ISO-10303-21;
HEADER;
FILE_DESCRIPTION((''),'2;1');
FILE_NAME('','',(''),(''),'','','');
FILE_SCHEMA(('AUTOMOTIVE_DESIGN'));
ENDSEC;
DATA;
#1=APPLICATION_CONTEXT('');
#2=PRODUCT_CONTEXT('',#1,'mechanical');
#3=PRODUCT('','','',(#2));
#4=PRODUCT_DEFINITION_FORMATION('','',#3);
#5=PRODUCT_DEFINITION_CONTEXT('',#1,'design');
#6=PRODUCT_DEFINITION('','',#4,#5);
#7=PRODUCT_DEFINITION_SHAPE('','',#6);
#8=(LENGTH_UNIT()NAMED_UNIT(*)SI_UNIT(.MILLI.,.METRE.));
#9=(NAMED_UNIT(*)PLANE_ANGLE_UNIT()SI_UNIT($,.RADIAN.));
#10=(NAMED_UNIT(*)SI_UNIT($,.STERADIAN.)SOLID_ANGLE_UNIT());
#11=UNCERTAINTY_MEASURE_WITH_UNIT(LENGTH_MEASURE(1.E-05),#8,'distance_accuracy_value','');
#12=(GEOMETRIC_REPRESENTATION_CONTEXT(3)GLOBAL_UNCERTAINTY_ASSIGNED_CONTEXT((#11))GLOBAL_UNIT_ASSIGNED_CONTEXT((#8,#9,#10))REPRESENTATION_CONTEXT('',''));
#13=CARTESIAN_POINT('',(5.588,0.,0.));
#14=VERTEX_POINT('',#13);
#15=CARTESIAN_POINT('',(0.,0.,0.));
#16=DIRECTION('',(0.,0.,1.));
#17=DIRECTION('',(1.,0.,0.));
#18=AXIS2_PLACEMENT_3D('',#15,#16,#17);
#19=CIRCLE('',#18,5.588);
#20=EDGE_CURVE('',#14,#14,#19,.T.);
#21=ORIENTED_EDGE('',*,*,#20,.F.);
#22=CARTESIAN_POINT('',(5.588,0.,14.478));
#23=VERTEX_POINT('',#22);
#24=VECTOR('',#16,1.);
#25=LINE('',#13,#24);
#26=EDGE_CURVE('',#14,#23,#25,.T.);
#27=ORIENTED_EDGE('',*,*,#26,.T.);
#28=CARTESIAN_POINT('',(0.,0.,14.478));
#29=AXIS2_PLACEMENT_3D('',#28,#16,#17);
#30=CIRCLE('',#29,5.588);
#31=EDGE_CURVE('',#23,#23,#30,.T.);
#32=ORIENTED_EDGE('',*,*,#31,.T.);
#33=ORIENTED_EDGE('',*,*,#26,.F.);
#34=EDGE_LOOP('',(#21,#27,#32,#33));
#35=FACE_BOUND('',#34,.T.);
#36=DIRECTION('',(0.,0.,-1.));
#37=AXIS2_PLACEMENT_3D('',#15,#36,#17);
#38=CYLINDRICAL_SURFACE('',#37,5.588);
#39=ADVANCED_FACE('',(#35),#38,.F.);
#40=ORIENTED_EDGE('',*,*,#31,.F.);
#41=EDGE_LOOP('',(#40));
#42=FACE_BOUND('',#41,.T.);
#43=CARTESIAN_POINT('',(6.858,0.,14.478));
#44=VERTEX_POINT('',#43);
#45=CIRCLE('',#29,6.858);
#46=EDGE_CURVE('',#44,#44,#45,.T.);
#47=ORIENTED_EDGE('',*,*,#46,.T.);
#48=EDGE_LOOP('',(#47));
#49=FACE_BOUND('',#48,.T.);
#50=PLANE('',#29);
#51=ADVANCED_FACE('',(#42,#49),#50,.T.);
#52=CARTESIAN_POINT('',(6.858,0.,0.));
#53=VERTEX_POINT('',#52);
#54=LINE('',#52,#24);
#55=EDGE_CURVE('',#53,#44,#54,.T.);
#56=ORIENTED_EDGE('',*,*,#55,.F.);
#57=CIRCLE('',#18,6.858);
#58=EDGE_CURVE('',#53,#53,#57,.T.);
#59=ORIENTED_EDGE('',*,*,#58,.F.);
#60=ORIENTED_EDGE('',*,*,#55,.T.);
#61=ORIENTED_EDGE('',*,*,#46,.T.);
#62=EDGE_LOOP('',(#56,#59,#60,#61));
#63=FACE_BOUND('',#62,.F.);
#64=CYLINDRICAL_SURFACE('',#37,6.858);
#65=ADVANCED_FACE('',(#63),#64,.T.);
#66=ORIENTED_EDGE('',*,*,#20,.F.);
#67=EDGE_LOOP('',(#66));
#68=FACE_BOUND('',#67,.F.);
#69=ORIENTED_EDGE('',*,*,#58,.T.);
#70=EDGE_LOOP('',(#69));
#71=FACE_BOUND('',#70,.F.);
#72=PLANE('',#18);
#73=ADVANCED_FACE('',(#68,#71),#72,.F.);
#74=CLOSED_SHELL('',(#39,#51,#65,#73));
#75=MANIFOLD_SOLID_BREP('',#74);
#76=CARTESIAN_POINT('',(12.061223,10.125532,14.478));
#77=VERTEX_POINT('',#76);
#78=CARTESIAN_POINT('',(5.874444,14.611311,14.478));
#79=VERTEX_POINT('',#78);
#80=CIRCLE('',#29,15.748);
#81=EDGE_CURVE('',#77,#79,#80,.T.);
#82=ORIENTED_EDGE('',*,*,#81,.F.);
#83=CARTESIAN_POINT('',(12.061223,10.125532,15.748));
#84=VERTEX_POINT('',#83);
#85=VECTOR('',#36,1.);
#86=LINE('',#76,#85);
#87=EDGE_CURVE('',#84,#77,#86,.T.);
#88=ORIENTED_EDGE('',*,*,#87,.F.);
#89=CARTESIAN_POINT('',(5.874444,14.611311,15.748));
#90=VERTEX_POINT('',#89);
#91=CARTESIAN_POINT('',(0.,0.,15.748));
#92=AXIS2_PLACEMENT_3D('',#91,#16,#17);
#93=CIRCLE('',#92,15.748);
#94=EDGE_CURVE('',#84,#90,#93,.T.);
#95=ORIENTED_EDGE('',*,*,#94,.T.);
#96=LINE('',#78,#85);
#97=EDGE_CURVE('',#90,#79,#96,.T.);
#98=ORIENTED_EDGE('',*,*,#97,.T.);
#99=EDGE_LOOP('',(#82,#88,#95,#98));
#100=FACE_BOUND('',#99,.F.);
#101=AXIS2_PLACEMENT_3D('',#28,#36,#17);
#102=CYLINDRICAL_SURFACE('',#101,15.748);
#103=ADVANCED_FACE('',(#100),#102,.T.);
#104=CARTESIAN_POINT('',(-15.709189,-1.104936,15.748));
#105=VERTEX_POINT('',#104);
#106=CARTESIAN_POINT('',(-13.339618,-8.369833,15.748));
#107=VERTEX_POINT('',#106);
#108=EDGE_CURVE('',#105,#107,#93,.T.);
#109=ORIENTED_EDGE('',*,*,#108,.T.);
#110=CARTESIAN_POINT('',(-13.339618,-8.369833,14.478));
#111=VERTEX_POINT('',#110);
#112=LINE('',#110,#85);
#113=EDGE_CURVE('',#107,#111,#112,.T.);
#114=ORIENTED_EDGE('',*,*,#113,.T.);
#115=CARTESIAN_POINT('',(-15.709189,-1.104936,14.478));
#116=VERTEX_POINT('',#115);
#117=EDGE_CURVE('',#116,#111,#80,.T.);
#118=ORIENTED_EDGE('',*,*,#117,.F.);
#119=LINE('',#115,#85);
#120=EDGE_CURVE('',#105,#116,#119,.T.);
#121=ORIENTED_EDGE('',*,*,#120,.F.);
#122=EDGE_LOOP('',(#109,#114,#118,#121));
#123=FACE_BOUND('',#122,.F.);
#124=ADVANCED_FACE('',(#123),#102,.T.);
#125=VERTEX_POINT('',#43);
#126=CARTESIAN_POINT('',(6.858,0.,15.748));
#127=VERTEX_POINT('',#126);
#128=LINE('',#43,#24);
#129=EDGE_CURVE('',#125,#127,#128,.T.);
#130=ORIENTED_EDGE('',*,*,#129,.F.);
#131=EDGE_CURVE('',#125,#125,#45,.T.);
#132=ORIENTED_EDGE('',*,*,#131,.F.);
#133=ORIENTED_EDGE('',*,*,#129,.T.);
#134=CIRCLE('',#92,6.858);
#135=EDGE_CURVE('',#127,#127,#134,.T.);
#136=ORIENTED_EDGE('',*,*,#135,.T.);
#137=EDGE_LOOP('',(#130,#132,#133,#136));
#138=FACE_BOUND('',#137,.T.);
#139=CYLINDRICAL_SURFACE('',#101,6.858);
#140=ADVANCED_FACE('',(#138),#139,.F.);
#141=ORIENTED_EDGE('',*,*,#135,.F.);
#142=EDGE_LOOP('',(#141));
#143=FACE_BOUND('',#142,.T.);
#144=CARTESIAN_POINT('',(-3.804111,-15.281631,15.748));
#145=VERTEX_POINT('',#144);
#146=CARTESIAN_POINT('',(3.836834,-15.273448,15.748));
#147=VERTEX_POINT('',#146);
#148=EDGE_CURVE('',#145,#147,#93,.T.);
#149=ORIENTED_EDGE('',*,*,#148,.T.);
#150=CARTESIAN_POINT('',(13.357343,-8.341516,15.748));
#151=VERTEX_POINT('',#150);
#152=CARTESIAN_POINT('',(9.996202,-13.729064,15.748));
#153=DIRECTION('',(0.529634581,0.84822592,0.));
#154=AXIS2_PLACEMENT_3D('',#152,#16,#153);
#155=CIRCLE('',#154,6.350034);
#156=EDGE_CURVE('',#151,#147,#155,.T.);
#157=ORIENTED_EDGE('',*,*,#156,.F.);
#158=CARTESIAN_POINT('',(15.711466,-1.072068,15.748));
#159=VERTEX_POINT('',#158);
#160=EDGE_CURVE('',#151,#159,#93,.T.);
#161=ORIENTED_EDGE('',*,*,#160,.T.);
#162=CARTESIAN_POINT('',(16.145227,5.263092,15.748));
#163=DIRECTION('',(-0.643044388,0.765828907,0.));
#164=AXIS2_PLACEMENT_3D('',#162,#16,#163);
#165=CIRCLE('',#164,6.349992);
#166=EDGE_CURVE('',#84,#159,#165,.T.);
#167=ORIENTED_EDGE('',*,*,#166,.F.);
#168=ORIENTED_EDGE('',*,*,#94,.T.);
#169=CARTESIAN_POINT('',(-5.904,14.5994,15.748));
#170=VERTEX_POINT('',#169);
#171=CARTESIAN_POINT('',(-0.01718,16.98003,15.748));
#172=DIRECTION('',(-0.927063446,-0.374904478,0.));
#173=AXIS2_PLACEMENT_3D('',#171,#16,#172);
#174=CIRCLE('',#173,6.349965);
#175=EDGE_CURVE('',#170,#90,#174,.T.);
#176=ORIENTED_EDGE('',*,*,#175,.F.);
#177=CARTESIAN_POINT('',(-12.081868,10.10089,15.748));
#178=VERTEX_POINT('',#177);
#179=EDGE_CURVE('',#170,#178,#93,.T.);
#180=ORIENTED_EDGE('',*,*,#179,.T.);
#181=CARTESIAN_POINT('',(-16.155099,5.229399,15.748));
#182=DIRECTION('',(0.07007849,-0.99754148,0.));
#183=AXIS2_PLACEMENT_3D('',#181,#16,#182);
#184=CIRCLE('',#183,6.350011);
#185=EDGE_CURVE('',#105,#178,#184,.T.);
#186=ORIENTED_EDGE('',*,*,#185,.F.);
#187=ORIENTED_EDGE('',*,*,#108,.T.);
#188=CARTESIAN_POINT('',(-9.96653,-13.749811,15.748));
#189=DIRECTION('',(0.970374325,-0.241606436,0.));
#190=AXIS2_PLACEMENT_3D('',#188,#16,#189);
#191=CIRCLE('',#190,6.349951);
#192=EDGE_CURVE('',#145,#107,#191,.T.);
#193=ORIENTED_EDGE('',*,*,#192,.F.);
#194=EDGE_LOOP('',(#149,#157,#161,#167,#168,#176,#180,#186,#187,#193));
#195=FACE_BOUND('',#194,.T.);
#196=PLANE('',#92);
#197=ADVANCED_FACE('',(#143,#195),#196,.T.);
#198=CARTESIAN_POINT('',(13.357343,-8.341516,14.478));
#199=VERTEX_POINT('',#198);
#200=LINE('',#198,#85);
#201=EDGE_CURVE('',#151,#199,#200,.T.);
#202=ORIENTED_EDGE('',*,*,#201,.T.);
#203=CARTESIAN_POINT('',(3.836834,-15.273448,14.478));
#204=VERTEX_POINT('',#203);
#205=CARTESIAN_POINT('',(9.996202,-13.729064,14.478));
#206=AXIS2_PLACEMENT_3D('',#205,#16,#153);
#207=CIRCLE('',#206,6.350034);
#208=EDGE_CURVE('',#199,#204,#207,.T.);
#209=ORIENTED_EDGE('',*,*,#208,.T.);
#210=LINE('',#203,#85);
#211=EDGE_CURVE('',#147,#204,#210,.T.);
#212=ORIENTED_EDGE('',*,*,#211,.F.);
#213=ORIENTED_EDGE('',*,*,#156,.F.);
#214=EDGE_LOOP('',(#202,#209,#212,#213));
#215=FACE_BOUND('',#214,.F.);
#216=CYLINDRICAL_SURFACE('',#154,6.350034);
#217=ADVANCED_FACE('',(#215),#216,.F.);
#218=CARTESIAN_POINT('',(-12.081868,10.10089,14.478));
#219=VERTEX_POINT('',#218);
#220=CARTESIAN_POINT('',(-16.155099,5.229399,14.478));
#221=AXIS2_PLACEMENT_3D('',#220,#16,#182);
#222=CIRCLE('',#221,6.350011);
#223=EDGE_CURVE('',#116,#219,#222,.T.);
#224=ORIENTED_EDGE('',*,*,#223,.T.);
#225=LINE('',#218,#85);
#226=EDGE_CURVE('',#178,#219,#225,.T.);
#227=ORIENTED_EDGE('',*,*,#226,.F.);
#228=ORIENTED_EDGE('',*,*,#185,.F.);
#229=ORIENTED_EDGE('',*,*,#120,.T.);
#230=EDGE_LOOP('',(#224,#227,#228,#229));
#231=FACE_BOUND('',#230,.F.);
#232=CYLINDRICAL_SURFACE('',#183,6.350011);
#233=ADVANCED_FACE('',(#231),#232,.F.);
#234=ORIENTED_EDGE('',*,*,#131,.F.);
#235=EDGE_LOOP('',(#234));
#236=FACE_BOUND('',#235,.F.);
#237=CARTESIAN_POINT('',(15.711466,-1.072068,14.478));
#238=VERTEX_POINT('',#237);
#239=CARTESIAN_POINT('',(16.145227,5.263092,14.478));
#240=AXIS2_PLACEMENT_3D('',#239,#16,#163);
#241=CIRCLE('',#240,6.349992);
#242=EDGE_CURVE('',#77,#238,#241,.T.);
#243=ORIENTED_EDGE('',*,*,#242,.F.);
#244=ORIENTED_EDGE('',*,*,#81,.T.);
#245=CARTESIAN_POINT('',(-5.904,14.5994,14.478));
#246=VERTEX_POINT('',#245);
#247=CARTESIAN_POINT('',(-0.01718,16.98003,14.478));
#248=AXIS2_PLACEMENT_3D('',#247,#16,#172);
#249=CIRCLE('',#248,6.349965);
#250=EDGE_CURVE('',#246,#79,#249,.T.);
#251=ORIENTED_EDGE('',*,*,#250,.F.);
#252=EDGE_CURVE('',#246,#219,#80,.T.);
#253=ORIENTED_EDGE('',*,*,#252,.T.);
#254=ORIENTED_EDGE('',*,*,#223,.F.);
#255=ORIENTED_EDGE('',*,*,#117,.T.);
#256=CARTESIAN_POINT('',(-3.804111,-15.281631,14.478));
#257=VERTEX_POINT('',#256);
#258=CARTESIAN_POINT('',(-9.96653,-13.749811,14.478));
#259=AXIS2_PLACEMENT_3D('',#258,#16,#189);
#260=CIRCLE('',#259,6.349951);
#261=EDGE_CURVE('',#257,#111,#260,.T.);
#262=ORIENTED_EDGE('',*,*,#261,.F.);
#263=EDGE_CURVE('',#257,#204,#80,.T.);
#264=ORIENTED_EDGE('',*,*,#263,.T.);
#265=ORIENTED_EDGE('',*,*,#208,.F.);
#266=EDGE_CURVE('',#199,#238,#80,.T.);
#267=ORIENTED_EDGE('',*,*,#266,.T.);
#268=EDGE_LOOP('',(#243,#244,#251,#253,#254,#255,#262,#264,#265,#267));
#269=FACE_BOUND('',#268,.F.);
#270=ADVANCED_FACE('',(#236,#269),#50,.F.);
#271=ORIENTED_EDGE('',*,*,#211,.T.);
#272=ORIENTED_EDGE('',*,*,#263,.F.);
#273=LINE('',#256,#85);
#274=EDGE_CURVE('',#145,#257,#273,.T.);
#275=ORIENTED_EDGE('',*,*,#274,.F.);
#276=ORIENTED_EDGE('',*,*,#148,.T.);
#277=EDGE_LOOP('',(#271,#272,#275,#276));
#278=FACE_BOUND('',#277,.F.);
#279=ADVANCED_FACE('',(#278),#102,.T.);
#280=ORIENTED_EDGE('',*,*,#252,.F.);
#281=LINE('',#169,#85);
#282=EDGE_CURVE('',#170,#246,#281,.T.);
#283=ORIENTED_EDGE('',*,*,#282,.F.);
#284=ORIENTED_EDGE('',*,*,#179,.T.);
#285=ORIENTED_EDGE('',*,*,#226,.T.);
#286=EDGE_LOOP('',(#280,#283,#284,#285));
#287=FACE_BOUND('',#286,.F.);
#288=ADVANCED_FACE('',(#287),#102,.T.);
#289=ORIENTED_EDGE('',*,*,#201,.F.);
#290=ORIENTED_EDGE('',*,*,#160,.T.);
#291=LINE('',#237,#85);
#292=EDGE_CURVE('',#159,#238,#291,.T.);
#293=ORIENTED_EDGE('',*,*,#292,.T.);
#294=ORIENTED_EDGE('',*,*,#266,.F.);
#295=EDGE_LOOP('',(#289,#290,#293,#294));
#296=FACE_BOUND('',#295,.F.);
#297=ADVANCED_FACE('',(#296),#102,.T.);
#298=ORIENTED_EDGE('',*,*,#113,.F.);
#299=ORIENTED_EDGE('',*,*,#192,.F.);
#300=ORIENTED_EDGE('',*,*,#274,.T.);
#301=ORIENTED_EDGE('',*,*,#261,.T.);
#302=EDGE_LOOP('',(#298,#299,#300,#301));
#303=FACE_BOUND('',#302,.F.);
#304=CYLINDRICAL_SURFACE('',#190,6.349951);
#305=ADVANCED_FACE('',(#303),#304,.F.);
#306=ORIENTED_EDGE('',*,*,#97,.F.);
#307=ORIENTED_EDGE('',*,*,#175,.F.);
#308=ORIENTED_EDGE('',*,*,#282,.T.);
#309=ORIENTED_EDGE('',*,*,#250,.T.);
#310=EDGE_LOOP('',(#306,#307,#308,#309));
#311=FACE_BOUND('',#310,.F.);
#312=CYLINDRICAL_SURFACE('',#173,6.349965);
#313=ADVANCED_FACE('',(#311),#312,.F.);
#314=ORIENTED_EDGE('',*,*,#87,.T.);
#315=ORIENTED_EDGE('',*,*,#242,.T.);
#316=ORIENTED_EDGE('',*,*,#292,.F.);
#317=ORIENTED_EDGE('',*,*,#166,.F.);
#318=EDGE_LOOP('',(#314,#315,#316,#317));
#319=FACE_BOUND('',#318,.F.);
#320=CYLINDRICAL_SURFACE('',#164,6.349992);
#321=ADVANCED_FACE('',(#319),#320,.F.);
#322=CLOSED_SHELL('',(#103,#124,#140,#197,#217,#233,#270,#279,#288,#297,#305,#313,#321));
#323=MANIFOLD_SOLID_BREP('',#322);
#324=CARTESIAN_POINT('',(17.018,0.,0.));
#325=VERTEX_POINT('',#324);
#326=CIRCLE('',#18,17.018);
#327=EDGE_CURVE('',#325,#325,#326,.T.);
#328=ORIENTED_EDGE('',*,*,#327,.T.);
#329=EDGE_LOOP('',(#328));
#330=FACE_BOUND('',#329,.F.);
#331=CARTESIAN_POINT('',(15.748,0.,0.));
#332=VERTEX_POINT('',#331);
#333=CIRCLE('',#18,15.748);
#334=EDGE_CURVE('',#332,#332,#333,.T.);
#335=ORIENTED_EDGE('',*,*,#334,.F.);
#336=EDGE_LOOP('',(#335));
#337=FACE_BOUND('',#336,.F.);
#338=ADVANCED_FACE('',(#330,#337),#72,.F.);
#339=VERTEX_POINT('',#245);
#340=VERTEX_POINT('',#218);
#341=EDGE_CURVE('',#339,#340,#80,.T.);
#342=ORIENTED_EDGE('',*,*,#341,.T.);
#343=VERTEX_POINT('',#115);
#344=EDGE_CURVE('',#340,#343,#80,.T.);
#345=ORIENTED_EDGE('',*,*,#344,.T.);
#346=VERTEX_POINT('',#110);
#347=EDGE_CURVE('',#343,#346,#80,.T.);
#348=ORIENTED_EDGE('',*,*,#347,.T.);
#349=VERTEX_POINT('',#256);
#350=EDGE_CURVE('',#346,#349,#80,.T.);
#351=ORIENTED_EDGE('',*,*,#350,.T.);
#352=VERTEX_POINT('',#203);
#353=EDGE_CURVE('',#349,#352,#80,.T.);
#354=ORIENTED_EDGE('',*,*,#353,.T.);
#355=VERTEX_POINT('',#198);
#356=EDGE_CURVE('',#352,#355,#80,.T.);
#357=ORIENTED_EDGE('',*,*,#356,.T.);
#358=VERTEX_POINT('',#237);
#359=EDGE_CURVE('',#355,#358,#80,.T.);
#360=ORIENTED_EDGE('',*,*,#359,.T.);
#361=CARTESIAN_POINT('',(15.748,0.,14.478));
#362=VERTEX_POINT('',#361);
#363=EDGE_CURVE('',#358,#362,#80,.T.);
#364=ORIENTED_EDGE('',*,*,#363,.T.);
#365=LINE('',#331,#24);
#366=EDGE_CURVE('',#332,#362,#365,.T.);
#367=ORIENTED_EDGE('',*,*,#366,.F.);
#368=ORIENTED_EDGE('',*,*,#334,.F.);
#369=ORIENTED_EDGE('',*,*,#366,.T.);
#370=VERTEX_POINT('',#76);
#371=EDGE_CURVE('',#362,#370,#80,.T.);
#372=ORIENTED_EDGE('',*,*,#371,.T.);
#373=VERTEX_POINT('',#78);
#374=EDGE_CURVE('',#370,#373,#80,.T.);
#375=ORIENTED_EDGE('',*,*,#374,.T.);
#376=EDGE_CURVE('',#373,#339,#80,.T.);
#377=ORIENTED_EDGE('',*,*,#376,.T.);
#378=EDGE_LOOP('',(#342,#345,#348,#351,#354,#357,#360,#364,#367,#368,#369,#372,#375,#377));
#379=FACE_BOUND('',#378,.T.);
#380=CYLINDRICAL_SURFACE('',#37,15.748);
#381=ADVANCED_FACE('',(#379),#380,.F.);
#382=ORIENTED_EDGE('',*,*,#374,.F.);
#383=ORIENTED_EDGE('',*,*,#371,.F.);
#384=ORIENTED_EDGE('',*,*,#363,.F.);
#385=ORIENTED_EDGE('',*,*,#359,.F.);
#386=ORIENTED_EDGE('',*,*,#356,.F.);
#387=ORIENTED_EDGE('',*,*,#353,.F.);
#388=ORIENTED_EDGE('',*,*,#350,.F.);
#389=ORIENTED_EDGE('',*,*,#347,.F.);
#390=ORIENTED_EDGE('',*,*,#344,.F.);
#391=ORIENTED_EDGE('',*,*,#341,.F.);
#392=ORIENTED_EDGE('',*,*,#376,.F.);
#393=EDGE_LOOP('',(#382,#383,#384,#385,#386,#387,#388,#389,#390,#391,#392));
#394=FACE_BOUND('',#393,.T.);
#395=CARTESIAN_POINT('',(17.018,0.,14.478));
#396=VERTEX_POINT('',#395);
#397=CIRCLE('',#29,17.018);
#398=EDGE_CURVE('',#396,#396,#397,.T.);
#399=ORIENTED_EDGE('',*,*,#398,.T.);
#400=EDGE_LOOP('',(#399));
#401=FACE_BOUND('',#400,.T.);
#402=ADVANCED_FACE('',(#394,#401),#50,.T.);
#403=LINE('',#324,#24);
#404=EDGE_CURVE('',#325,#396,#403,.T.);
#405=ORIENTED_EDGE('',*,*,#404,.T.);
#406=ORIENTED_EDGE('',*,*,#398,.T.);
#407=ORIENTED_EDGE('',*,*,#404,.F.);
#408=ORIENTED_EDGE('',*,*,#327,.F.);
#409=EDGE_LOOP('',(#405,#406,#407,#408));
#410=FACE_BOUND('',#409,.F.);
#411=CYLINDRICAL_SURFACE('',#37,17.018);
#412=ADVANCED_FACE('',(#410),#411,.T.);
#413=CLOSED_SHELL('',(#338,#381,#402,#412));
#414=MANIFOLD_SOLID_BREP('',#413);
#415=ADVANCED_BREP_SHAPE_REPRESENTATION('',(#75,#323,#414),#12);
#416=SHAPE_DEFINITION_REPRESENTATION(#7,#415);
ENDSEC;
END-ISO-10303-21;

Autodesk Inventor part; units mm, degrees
ref_plane "YZ Plane" through (0, 0, 0) normal (1, 0, 0) x (0, 1, 0)
ref_plane "XZ Plane" through (0, 0, 0) normal (0, 1, 0) x (-1, 0, 0)
ref_plane "XY Plane" through (0, 0, 0) normal (0, 0, 1) x (1, 0, 0)
sketch "Sketch1" plane through (0, 0, 0) normal (0, 0, 1) x (1, 0, 0)
  circle A0 centre (0, 0) radius 5.588
  circle A1 centre (0, 0) radius 6.858
  circle A2 centre (0, 0) radius 15.748
  circle A3 centre (0, 0) radius 17.018
  dimension "d0" = 11.176
  dimension "d1" = 1.27
  dimension "d2" = 8.89
  dimension "d3" = 1.27
extrude "Extrusion1" add sketch "Sketch1" along normal blind 14.478
sketch "Sketch2" plane through (0, 0, 14.478) normal (0, 0, 1) x (1, 0, 0)
  circle A0 centre (0, 0) radius 5.588 projected
  circle A1 centre (0, 0) radius 6.858 projected
  circle A2 centre (0, 0) radius 15.748 projected
  circle A3 centre (0, 0) radius 17.018 projected
extrude "Extrusion2" add sketch "Sketch2" along normal blind 1.27 contours A2
sketch "Sketch4" plane through (0, 0, 14.478) normal (0, 0, 1) x (1, 0, 0)
  point P0 (0, 0)
sketch "Sketch6" plane through (0, 0, 15.748) normal (0, 0, 1) x (1, 0, 0)
  arc A0 (-5.904, 14.5994) -> (5.8746, 14.6117) centre (-0.0172, 16.98) ccw
  arc A1 (5.8746, 14.6117) -> (-5.904, 14.5994) centre (0.0005, -0.0013) ccw
  arc A2 (-12.082, 10.101) -> (-15.7101, -1.105) centre (0.0005, -0.0013) ccw
  arc A3 (-15.7101, -1.105) -> (-12.082, 10.101) centre (-16.1551, 5.2294) ccw
  arc A4 (-13.341, -8.3707) -> (-3.8047, -15.284) centre (0.0005, -0.0013) ccw
  arc A5 (-3.8047, -15.284) -> (-13.341, -8.3707) centre (-9.9665, -13.7498) ccw
  arc A6 (3.8375, -15.2761) -> (13.3594, -8.3428) centre (0.0005, -0.0013) ccw
  arc A7 (13.3594, -8.3428) -> (3.8375, -15.2761) centre (9.9962, -13.729) ccw
  arc A8 (15.7134, -1.0722) -> (12.0619, 10.1261) centre (0.0005, -0.0013) ccw
  arc A9 (12.0619, 10.1261) -> (15.7134, -1.0722) centre (16.1452, 5.2631) ccw
  point P0 (0, 0)
  dimension "d10" = 6.35
  dimension "d13" = 360
sketch "Sketch5" plane through (0, 0, 15.748) normal (0, 0, 1) x (1, 0, 0)
  circle A0 centre (0, 0) radius 17.018 projected
  circle A1 centre (0, 0) radius 15.748 projected
  circle A2 centre (0, 0) radius 6.858 projected
  circle A3 centre (0, 0) radius 15.748 projected
  circle A4 centre (0, 0) radius 6.858 projected
  circle A5 centre (0, 0) radius 15.748 projected
  circle A6 centre (0, 0) radius 15.748 projected
  arc A7 (-14.5821, 5.9465) -> (-14.6389, -5.8053) centre (0, 0) ccw
  arc A8 (-14.5821, 5.9465) -> (-14.6389, -5.8053) centre (0, 0) ccw
  arc A9 (-14.6107, 5.876) -> (-14.6389, -5.8053) centre (0, 0) ccw
extrude "Extrusion3" cut sketch "Sketch6" against normal blind 1.27
properties part number "AutomobloxWheel"
